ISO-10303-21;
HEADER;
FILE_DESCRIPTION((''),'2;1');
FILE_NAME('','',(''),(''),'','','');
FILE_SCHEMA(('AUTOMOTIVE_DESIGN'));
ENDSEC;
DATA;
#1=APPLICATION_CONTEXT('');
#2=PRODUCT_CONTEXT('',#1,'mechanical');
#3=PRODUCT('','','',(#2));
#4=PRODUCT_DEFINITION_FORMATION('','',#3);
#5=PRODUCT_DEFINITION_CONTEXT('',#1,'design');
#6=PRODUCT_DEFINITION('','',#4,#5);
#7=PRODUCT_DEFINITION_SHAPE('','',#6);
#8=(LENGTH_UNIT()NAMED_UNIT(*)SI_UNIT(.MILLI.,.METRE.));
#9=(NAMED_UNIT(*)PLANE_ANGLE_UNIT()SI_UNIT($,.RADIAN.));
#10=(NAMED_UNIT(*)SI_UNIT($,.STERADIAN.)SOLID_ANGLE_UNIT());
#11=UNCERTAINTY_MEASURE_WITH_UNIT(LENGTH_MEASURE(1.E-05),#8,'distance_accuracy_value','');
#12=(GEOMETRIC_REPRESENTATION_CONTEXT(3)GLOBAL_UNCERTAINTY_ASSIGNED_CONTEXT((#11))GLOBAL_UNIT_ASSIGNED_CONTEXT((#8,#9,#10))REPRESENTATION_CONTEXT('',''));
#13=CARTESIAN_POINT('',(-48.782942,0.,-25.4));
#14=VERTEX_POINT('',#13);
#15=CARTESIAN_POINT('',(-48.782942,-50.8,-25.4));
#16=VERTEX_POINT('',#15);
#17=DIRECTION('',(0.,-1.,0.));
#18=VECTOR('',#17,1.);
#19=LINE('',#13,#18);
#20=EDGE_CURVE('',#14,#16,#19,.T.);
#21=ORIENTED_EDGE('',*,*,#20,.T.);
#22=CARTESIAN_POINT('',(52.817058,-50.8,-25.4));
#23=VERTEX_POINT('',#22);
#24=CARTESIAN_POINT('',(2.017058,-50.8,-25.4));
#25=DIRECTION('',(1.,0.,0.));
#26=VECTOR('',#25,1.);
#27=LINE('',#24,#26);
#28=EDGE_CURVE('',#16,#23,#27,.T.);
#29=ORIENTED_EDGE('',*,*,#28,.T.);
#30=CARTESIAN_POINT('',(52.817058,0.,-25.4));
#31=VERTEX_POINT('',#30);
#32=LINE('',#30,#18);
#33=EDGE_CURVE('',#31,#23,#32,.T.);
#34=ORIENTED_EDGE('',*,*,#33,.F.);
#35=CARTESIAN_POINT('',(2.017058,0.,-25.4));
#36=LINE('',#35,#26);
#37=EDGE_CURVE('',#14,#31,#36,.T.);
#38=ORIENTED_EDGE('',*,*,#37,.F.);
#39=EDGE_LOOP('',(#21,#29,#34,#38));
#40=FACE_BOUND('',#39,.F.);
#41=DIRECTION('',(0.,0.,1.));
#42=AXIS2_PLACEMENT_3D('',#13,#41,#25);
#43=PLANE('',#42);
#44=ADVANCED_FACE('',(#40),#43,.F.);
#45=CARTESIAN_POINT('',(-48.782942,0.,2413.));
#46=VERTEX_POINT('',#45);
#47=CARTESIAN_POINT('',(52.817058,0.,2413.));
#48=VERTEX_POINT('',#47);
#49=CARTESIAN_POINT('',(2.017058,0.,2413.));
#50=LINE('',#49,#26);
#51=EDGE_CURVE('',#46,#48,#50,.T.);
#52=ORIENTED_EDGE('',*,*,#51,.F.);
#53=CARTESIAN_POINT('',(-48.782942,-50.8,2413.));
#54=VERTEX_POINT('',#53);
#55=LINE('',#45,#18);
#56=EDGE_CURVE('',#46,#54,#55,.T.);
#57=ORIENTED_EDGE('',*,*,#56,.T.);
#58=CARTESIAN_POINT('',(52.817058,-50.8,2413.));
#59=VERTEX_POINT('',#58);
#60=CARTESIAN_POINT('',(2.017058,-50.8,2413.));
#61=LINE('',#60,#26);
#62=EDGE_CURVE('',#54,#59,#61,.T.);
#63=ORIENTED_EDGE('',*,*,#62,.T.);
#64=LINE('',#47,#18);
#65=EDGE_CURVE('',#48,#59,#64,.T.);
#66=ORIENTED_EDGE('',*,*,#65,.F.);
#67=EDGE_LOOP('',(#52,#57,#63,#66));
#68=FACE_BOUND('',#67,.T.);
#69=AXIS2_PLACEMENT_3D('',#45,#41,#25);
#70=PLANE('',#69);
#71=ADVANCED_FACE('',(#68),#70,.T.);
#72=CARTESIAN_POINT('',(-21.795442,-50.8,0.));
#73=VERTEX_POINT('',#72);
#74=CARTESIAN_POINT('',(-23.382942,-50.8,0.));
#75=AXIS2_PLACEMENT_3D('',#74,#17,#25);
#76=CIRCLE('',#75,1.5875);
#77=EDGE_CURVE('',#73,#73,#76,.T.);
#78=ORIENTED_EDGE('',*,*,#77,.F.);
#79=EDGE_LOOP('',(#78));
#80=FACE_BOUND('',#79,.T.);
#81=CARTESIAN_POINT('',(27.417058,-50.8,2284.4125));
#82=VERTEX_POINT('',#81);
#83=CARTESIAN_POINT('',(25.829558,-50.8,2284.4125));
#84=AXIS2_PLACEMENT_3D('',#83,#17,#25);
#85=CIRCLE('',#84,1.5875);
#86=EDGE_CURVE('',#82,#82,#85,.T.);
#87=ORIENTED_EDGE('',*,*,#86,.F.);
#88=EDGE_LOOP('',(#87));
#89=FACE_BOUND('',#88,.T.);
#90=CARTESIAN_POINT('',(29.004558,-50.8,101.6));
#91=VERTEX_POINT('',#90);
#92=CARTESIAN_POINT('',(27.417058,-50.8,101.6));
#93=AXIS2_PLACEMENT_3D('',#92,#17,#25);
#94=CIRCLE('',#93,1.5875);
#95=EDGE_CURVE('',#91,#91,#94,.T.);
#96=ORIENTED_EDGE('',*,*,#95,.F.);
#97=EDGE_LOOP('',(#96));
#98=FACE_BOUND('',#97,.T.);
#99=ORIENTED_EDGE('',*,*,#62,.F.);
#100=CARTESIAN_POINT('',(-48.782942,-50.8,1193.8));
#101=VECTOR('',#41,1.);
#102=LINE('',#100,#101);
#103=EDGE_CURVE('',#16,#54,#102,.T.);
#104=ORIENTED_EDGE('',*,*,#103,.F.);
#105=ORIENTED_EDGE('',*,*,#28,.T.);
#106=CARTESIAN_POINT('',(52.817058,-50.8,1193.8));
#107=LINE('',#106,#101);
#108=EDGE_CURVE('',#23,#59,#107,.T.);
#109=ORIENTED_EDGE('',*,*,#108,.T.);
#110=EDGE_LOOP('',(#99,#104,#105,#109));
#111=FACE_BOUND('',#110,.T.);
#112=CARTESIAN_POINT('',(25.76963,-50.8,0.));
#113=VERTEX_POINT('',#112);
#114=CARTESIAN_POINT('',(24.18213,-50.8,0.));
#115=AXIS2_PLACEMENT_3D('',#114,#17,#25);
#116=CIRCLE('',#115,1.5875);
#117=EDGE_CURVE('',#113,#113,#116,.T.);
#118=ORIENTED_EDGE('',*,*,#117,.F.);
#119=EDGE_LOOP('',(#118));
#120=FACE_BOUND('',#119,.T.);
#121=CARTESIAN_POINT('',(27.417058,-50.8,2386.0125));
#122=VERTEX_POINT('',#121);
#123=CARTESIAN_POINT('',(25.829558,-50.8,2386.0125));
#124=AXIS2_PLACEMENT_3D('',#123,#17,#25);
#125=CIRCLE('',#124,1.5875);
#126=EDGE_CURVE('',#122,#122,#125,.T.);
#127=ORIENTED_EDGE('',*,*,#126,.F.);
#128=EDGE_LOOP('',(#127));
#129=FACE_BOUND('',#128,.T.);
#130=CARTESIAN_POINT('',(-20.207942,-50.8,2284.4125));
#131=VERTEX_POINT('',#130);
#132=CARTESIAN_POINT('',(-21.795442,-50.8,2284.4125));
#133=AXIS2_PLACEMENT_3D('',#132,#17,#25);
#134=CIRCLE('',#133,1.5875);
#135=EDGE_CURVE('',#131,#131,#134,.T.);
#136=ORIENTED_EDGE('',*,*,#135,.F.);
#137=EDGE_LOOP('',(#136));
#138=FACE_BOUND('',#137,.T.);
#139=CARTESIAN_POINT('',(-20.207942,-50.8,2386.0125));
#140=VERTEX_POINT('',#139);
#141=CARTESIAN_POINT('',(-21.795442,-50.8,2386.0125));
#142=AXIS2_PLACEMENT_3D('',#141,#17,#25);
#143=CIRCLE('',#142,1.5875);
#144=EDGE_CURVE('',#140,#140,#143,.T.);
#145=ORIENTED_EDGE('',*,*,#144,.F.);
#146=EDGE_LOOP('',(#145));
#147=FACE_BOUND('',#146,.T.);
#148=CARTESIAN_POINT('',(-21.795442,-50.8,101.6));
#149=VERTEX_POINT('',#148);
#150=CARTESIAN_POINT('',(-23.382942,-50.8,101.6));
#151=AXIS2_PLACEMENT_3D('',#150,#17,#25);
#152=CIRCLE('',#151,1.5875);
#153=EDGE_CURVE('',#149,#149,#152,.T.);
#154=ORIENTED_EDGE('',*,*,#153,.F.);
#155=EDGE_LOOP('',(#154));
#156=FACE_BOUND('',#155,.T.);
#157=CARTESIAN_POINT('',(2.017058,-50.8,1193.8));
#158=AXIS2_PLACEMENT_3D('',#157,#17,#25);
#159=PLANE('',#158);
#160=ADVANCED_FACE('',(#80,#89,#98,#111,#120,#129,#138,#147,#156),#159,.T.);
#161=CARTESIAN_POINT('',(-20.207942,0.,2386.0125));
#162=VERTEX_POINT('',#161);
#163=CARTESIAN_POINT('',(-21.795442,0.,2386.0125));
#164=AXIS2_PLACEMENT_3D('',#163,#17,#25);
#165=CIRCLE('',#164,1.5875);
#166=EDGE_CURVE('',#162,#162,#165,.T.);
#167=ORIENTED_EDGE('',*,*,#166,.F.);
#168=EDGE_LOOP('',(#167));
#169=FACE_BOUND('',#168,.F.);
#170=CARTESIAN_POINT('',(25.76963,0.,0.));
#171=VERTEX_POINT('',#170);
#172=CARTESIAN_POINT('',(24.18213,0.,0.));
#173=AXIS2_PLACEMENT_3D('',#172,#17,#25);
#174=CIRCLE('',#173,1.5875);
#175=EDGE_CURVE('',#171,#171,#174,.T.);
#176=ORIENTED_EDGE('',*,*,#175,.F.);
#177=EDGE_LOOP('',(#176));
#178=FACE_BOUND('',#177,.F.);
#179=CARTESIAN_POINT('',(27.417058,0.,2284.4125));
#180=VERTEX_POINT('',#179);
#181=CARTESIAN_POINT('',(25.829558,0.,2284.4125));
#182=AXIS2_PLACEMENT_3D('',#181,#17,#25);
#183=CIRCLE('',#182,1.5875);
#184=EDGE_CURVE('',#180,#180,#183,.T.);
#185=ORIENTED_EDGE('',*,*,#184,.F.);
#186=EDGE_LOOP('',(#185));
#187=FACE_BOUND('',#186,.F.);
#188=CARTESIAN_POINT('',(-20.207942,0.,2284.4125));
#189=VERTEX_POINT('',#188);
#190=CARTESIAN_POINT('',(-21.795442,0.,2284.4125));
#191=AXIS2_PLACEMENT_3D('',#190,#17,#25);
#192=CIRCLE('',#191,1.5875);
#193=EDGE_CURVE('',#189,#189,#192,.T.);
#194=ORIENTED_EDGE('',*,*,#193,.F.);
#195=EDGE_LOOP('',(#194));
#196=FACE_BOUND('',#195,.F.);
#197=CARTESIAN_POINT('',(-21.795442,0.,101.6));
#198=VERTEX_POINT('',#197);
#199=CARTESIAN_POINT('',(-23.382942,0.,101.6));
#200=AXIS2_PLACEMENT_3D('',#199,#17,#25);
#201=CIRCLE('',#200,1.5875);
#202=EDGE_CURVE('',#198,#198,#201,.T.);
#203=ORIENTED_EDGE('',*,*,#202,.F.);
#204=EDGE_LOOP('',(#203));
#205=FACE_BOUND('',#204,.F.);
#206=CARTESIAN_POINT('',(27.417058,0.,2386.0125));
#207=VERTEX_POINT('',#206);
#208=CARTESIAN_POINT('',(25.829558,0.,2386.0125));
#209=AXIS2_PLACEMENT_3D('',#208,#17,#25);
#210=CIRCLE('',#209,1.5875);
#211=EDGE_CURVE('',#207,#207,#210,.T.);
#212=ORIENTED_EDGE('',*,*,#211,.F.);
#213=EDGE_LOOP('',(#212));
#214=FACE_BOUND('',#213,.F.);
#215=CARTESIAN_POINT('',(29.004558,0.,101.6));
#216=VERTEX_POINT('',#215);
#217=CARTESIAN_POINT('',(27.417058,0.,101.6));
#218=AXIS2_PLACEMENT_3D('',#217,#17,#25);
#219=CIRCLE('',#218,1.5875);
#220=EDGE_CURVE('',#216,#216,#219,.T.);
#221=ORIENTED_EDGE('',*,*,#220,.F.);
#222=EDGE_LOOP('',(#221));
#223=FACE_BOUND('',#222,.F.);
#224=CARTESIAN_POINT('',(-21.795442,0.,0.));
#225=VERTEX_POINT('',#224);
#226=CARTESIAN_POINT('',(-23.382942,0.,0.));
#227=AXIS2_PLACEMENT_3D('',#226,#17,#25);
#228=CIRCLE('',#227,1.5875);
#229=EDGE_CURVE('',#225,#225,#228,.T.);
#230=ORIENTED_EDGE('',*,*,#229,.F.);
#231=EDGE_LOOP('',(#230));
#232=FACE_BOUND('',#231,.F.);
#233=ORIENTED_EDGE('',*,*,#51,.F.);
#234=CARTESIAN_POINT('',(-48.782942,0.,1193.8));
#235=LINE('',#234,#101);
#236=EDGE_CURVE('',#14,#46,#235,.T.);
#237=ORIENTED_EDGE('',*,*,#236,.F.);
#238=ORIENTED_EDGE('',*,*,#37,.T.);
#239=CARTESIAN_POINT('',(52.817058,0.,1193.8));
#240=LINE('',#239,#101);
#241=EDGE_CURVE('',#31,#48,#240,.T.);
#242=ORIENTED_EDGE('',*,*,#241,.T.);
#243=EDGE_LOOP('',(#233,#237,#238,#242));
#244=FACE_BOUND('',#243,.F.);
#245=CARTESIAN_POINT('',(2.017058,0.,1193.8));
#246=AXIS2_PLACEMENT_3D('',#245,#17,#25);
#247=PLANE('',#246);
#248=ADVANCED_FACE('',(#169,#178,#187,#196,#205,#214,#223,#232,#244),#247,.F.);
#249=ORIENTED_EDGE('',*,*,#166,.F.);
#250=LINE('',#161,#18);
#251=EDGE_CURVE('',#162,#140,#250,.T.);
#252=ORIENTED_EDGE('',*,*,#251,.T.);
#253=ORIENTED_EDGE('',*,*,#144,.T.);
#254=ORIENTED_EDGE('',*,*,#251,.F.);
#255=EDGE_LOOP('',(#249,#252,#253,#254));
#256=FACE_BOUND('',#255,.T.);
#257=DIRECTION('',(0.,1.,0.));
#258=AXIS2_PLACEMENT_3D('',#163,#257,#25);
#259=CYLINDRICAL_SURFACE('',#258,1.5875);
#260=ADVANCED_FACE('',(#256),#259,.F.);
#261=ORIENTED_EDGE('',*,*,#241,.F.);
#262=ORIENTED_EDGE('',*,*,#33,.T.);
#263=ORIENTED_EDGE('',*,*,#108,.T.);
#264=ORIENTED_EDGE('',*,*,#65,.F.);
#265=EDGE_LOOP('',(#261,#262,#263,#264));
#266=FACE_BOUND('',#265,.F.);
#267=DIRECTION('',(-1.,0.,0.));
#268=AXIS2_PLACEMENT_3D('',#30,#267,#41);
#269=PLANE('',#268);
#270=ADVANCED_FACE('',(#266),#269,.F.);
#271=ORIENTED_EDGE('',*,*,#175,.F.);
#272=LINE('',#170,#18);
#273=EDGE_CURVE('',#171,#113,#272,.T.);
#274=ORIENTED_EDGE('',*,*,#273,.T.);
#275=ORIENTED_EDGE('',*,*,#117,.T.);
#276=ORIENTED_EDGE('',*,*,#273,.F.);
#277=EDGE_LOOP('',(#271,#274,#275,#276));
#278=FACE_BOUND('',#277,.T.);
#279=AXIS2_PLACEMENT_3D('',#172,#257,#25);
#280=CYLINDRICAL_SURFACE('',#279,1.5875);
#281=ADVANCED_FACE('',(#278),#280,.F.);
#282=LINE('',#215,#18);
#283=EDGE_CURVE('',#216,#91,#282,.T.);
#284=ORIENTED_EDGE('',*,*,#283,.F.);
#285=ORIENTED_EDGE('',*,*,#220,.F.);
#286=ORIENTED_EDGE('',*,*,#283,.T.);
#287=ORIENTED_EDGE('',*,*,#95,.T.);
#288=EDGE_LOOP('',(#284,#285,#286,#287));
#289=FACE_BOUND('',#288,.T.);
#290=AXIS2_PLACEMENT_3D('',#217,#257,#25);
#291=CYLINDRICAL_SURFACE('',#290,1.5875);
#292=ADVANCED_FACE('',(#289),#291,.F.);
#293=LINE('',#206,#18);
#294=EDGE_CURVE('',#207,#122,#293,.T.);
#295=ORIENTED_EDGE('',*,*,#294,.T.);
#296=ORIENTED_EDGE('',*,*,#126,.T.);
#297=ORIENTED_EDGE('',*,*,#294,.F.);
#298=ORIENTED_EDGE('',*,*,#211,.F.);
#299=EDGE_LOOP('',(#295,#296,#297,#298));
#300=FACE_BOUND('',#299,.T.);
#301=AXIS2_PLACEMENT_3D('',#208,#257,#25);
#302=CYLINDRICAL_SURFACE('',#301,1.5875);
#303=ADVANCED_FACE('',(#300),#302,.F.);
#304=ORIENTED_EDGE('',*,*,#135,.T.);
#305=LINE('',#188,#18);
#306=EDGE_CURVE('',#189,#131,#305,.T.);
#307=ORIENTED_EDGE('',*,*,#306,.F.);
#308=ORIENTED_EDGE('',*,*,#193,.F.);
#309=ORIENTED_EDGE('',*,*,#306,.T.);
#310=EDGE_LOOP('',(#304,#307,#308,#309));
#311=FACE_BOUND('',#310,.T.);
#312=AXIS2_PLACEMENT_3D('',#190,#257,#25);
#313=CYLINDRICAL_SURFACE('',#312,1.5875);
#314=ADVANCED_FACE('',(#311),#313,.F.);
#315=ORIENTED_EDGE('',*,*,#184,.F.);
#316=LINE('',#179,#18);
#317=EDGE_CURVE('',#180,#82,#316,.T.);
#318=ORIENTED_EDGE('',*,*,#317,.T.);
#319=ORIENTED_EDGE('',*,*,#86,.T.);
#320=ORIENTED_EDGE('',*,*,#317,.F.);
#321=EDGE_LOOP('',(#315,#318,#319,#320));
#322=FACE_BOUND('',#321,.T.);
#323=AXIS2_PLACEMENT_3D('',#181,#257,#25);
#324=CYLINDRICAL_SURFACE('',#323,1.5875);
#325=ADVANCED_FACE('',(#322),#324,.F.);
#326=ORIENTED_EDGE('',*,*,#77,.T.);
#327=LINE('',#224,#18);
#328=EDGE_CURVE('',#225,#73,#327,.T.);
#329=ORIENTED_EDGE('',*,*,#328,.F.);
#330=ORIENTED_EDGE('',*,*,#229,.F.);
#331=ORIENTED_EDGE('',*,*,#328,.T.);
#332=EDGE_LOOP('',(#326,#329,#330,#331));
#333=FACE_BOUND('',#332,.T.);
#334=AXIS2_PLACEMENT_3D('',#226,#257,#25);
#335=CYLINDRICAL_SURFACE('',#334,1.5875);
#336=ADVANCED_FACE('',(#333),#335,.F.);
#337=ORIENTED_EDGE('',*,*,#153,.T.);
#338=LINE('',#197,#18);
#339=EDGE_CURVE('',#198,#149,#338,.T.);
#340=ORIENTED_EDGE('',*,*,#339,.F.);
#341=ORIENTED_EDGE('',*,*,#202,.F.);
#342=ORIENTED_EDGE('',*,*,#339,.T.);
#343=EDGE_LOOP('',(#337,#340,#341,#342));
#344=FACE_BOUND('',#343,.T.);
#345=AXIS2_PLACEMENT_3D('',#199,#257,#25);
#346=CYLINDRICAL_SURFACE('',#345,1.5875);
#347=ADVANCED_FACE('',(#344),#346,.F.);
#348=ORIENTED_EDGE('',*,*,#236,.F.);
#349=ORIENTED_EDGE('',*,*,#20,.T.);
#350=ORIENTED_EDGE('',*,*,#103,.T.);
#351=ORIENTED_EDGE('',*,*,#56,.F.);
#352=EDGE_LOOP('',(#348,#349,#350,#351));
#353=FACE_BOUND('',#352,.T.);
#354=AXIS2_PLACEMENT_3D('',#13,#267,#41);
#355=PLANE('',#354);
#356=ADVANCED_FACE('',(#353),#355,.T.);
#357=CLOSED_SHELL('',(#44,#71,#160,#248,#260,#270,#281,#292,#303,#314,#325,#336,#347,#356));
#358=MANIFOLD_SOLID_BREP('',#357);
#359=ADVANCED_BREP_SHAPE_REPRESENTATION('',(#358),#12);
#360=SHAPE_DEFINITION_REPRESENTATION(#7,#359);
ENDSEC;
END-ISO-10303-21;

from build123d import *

# Parameters (mm, degrees)
F0_W     = 101.6
F0_H     = 2438.4
F0_R     = 1.5875
F1_DEPTH = 50.8


with BuildPart() as f1:
    # F0 (on Front) → F1 (new body)
    with BuildSketch(Plane.XZ):
        with Locations((2.017058, 1193.8)):
            Rectangle(F0_W, F0_H)
        with Locations((-23.382942, 0)):
            Circle(F0_R, mode=Mode.SUBTRACT)
        with Locations((-23.382942, 101.6)):
            Circle(F0_R, mode=Mode.SUBTRACT)
        with Locations((24.18213, 0)):
            Circle(F0_R, mode=Mode.SUBTRACT)
        with Locations((27.417058, 101.6)):
            Circle(F0_R, mode=Mode.SUBTRACT)
        with Locations((-21.795442, 2284.4125)):
            Circle(F0_R, mode=Mode.SUBTRACT)
        with Locations((-21.795442, 2386.0125)):
            Circle(F0_R, mode=Mode.SUBTRACT)
        with Locations((25.829558, 2284.4125)):
            Circle(F0_R, mode=Mode.SUBTRACT)
        with Locations((25.829558, 2386.0125)):
            Circle(F0_R, mode=Mode.SUBTRACT)
    extrude(amount=F1_DEPTH)


solid = f1.part
